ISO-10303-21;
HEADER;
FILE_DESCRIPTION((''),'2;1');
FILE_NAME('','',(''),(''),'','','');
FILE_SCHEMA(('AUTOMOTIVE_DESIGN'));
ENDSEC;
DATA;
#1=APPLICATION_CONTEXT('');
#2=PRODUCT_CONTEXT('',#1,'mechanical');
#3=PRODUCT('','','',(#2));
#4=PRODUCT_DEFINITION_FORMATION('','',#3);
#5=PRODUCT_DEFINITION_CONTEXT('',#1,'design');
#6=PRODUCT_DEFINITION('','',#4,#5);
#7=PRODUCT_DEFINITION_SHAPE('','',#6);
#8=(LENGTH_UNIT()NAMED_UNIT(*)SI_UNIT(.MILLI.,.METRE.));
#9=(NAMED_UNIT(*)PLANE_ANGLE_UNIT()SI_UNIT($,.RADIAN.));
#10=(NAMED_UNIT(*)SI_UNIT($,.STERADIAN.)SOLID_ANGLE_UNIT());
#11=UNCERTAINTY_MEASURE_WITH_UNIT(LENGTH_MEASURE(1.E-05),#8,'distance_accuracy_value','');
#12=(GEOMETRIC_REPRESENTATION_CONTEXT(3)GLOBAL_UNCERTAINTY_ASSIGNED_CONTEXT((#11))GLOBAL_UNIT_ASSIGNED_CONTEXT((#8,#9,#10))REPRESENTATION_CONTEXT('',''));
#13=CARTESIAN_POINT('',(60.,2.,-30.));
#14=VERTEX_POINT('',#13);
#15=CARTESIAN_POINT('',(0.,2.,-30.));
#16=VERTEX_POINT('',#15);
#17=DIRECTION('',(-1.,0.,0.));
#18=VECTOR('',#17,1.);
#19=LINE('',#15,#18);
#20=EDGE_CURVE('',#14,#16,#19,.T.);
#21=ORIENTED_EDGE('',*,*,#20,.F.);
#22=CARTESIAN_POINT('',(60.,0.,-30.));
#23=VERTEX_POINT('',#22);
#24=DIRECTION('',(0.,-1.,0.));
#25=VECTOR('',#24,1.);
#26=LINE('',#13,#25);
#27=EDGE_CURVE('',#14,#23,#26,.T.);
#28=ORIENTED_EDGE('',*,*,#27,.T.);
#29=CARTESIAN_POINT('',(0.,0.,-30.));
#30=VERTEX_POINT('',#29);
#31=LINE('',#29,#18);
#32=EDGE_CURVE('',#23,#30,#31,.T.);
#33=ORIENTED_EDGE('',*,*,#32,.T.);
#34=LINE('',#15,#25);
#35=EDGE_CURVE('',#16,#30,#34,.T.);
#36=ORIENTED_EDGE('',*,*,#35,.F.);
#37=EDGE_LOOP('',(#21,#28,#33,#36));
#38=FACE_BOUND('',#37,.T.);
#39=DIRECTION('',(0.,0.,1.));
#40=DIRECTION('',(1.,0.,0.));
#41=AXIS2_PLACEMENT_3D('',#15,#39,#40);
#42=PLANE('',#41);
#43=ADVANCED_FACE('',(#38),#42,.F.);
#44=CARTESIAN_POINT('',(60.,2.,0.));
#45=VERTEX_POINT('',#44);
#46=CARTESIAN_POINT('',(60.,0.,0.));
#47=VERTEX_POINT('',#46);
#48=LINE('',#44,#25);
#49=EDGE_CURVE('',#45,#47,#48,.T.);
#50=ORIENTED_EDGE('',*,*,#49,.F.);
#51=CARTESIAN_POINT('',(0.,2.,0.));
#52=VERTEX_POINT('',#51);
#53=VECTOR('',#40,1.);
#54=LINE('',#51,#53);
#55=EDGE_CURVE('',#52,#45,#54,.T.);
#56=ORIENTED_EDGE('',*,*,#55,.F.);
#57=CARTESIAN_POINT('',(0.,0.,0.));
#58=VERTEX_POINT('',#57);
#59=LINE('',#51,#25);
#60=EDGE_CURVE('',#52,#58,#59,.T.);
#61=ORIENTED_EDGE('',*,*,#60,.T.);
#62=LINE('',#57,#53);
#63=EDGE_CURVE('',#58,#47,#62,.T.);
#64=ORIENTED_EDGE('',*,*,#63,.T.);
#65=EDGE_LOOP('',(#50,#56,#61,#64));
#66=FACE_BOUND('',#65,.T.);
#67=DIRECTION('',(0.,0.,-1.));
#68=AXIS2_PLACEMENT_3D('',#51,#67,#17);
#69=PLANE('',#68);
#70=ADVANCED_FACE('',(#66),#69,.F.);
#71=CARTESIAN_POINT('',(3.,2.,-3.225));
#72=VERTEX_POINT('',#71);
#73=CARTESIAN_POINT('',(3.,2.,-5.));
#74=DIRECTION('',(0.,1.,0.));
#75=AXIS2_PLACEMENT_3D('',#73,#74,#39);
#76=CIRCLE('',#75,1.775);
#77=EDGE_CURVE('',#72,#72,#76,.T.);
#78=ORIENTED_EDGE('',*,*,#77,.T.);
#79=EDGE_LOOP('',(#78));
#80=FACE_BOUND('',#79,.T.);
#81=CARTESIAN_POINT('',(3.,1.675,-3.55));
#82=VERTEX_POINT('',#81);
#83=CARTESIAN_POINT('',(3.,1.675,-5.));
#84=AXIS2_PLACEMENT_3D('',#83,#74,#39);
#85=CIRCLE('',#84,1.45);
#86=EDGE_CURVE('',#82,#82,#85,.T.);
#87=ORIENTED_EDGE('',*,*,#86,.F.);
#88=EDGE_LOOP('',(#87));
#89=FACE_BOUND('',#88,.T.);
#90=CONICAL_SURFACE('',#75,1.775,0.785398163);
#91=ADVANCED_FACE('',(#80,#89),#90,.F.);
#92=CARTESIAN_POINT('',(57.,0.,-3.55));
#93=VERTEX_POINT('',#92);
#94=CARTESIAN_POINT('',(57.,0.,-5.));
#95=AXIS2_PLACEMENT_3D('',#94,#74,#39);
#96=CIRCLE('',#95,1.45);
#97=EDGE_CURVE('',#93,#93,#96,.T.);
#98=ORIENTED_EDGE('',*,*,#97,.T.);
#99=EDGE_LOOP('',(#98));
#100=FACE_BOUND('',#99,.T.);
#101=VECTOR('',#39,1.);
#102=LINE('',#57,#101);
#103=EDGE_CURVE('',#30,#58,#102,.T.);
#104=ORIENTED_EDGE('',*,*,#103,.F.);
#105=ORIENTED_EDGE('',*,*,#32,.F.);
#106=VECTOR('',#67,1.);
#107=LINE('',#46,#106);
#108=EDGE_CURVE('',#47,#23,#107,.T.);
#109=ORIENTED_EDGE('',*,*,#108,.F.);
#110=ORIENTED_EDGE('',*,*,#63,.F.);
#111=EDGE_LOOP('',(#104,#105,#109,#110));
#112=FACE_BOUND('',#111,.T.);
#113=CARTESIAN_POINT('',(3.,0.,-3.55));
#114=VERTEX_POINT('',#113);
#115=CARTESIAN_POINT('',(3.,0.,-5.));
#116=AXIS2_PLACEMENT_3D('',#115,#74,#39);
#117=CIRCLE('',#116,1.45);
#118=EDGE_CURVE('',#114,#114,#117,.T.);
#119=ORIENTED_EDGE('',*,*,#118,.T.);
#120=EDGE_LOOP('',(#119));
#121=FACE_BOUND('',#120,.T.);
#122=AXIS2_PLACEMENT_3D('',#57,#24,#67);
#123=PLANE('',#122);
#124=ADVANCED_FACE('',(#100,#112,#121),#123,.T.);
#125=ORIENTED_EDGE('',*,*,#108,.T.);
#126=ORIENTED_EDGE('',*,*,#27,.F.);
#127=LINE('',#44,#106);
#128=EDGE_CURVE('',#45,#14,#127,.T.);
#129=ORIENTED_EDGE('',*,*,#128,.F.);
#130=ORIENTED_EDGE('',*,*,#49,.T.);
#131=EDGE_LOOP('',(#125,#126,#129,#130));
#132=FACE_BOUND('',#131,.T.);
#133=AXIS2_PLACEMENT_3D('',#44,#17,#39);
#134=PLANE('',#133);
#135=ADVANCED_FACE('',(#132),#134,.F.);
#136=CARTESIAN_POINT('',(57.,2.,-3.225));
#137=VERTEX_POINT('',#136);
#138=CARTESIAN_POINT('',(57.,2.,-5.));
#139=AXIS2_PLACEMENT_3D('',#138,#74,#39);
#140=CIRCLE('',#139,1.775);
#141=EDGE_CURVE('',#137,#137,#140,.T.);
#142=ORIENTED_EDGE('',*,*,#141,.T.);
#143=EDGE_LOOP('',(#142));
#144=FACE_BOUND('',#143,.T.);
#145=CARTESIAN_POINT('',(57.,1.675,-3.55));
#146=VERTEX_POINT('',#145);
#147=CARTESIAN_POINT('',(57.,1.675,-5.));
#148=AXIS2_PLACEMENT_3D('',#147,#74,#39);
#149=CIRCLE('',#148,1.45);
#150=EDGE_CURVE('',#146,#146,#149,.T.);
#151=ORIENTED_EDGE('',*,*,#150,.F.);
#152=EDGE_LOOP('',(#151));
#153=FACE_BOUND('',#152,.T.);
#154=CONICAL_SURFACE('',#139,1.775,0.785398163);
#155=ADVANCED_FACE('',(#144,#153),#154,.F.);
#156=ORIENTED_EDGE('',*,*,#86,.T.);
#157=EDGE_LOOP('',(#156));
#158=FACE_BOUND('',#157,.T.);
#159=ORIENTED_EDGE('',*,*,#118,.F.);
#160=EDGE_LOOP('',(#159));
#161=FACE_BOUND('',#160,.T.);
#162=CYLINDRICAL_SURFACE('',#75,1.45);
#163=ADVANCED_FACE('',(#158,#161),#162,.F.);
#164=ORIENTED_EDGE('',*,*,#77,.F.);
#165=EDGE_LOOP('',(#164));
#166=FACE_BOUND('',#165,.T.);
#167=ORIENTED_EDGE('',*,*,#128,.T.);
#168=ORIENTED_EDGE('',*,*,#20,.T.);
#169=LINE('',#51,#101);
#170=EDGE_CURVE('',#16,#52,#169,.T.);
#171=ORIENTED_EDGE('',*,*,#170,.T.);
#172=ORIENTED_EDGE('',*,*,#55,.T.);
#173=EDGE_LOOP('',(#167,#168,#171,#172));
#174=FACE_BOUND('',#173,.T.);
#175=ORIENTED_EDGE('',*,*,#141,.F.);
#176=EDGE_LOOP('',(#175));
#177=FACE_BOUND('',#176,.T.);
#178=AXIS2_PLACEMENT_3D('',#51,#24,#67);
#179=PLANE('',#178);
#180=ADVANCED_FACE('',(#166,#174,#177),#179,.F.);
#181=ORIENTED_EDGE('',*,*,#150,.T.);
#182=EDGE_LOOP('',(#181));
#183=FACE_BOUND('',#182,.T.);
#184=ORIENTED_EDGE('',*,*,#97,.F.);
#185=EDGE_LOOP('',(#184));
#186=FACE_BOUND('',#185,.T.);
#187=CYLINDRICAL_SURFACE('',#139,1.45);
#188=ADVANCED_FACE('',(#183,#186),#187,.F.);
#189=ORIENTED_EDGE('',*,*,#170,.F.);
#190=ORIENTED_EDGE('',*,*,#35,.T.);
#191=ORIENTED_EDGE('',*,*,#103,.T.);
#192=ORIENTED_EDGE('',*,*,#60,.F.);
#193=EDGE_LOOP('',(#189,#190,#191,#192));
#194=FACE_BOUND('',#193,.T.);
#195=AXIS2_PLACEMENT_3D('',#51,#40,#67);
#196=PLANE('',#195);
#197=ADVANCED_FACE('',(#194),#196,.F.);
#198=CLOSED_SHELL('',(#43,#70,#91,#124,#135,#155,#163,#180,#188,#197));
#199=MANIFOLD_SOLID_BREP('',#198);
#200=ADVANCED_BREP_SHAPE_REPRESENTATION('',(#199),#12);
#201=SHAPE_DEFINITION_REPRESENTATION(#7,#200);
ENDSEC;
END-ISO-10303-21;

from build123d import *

# Parameters (mm, degrees)
SKETCH_1_W                     = 60
SKETCH_1_H                     = 30
EXTRUDE_1_DEPTH                = 2
HOLE_WIZARD_M3_5_1_D           = 2.9
HOLE_WIZARD_M3_5_1_CSINK_D     = 3.55
HOLE_WIZARD_M3_5_1_CSINK_ANGLE = 90


with BuildPart() as part:
    # 草图1 → 凸台-拉伸1 (new body)
    with BuildSketch(Plane(origin=(0, 0, 0), x_dir=(1, 0, 0), z_dir=(0, 1, 0))):
        with Locations((30, 15)):
            Rectangle(SKETCH_1_W, SKETCH_1_H)
    extrude(amount=EXTRUDE_1_DEPTH)

    # M3.5 螺纹孔1 (through all)
    with Locations(Plane(origin=(0, 2, 0), x_dir=(1, 0, 0), z_dir=(0, 1, 0))):
        with Locations((3, 5), (57, 5)):
            CounterSinkHole(HOLE_WIZARD_M3_5_1_D / 2, HOLE_WIZARD_M3_5_1_CSINK_D / 2, counter_sink_angle=HOLE_WIZARD_M3_5_1_CSINK_ANGLE)


solid = part.part
